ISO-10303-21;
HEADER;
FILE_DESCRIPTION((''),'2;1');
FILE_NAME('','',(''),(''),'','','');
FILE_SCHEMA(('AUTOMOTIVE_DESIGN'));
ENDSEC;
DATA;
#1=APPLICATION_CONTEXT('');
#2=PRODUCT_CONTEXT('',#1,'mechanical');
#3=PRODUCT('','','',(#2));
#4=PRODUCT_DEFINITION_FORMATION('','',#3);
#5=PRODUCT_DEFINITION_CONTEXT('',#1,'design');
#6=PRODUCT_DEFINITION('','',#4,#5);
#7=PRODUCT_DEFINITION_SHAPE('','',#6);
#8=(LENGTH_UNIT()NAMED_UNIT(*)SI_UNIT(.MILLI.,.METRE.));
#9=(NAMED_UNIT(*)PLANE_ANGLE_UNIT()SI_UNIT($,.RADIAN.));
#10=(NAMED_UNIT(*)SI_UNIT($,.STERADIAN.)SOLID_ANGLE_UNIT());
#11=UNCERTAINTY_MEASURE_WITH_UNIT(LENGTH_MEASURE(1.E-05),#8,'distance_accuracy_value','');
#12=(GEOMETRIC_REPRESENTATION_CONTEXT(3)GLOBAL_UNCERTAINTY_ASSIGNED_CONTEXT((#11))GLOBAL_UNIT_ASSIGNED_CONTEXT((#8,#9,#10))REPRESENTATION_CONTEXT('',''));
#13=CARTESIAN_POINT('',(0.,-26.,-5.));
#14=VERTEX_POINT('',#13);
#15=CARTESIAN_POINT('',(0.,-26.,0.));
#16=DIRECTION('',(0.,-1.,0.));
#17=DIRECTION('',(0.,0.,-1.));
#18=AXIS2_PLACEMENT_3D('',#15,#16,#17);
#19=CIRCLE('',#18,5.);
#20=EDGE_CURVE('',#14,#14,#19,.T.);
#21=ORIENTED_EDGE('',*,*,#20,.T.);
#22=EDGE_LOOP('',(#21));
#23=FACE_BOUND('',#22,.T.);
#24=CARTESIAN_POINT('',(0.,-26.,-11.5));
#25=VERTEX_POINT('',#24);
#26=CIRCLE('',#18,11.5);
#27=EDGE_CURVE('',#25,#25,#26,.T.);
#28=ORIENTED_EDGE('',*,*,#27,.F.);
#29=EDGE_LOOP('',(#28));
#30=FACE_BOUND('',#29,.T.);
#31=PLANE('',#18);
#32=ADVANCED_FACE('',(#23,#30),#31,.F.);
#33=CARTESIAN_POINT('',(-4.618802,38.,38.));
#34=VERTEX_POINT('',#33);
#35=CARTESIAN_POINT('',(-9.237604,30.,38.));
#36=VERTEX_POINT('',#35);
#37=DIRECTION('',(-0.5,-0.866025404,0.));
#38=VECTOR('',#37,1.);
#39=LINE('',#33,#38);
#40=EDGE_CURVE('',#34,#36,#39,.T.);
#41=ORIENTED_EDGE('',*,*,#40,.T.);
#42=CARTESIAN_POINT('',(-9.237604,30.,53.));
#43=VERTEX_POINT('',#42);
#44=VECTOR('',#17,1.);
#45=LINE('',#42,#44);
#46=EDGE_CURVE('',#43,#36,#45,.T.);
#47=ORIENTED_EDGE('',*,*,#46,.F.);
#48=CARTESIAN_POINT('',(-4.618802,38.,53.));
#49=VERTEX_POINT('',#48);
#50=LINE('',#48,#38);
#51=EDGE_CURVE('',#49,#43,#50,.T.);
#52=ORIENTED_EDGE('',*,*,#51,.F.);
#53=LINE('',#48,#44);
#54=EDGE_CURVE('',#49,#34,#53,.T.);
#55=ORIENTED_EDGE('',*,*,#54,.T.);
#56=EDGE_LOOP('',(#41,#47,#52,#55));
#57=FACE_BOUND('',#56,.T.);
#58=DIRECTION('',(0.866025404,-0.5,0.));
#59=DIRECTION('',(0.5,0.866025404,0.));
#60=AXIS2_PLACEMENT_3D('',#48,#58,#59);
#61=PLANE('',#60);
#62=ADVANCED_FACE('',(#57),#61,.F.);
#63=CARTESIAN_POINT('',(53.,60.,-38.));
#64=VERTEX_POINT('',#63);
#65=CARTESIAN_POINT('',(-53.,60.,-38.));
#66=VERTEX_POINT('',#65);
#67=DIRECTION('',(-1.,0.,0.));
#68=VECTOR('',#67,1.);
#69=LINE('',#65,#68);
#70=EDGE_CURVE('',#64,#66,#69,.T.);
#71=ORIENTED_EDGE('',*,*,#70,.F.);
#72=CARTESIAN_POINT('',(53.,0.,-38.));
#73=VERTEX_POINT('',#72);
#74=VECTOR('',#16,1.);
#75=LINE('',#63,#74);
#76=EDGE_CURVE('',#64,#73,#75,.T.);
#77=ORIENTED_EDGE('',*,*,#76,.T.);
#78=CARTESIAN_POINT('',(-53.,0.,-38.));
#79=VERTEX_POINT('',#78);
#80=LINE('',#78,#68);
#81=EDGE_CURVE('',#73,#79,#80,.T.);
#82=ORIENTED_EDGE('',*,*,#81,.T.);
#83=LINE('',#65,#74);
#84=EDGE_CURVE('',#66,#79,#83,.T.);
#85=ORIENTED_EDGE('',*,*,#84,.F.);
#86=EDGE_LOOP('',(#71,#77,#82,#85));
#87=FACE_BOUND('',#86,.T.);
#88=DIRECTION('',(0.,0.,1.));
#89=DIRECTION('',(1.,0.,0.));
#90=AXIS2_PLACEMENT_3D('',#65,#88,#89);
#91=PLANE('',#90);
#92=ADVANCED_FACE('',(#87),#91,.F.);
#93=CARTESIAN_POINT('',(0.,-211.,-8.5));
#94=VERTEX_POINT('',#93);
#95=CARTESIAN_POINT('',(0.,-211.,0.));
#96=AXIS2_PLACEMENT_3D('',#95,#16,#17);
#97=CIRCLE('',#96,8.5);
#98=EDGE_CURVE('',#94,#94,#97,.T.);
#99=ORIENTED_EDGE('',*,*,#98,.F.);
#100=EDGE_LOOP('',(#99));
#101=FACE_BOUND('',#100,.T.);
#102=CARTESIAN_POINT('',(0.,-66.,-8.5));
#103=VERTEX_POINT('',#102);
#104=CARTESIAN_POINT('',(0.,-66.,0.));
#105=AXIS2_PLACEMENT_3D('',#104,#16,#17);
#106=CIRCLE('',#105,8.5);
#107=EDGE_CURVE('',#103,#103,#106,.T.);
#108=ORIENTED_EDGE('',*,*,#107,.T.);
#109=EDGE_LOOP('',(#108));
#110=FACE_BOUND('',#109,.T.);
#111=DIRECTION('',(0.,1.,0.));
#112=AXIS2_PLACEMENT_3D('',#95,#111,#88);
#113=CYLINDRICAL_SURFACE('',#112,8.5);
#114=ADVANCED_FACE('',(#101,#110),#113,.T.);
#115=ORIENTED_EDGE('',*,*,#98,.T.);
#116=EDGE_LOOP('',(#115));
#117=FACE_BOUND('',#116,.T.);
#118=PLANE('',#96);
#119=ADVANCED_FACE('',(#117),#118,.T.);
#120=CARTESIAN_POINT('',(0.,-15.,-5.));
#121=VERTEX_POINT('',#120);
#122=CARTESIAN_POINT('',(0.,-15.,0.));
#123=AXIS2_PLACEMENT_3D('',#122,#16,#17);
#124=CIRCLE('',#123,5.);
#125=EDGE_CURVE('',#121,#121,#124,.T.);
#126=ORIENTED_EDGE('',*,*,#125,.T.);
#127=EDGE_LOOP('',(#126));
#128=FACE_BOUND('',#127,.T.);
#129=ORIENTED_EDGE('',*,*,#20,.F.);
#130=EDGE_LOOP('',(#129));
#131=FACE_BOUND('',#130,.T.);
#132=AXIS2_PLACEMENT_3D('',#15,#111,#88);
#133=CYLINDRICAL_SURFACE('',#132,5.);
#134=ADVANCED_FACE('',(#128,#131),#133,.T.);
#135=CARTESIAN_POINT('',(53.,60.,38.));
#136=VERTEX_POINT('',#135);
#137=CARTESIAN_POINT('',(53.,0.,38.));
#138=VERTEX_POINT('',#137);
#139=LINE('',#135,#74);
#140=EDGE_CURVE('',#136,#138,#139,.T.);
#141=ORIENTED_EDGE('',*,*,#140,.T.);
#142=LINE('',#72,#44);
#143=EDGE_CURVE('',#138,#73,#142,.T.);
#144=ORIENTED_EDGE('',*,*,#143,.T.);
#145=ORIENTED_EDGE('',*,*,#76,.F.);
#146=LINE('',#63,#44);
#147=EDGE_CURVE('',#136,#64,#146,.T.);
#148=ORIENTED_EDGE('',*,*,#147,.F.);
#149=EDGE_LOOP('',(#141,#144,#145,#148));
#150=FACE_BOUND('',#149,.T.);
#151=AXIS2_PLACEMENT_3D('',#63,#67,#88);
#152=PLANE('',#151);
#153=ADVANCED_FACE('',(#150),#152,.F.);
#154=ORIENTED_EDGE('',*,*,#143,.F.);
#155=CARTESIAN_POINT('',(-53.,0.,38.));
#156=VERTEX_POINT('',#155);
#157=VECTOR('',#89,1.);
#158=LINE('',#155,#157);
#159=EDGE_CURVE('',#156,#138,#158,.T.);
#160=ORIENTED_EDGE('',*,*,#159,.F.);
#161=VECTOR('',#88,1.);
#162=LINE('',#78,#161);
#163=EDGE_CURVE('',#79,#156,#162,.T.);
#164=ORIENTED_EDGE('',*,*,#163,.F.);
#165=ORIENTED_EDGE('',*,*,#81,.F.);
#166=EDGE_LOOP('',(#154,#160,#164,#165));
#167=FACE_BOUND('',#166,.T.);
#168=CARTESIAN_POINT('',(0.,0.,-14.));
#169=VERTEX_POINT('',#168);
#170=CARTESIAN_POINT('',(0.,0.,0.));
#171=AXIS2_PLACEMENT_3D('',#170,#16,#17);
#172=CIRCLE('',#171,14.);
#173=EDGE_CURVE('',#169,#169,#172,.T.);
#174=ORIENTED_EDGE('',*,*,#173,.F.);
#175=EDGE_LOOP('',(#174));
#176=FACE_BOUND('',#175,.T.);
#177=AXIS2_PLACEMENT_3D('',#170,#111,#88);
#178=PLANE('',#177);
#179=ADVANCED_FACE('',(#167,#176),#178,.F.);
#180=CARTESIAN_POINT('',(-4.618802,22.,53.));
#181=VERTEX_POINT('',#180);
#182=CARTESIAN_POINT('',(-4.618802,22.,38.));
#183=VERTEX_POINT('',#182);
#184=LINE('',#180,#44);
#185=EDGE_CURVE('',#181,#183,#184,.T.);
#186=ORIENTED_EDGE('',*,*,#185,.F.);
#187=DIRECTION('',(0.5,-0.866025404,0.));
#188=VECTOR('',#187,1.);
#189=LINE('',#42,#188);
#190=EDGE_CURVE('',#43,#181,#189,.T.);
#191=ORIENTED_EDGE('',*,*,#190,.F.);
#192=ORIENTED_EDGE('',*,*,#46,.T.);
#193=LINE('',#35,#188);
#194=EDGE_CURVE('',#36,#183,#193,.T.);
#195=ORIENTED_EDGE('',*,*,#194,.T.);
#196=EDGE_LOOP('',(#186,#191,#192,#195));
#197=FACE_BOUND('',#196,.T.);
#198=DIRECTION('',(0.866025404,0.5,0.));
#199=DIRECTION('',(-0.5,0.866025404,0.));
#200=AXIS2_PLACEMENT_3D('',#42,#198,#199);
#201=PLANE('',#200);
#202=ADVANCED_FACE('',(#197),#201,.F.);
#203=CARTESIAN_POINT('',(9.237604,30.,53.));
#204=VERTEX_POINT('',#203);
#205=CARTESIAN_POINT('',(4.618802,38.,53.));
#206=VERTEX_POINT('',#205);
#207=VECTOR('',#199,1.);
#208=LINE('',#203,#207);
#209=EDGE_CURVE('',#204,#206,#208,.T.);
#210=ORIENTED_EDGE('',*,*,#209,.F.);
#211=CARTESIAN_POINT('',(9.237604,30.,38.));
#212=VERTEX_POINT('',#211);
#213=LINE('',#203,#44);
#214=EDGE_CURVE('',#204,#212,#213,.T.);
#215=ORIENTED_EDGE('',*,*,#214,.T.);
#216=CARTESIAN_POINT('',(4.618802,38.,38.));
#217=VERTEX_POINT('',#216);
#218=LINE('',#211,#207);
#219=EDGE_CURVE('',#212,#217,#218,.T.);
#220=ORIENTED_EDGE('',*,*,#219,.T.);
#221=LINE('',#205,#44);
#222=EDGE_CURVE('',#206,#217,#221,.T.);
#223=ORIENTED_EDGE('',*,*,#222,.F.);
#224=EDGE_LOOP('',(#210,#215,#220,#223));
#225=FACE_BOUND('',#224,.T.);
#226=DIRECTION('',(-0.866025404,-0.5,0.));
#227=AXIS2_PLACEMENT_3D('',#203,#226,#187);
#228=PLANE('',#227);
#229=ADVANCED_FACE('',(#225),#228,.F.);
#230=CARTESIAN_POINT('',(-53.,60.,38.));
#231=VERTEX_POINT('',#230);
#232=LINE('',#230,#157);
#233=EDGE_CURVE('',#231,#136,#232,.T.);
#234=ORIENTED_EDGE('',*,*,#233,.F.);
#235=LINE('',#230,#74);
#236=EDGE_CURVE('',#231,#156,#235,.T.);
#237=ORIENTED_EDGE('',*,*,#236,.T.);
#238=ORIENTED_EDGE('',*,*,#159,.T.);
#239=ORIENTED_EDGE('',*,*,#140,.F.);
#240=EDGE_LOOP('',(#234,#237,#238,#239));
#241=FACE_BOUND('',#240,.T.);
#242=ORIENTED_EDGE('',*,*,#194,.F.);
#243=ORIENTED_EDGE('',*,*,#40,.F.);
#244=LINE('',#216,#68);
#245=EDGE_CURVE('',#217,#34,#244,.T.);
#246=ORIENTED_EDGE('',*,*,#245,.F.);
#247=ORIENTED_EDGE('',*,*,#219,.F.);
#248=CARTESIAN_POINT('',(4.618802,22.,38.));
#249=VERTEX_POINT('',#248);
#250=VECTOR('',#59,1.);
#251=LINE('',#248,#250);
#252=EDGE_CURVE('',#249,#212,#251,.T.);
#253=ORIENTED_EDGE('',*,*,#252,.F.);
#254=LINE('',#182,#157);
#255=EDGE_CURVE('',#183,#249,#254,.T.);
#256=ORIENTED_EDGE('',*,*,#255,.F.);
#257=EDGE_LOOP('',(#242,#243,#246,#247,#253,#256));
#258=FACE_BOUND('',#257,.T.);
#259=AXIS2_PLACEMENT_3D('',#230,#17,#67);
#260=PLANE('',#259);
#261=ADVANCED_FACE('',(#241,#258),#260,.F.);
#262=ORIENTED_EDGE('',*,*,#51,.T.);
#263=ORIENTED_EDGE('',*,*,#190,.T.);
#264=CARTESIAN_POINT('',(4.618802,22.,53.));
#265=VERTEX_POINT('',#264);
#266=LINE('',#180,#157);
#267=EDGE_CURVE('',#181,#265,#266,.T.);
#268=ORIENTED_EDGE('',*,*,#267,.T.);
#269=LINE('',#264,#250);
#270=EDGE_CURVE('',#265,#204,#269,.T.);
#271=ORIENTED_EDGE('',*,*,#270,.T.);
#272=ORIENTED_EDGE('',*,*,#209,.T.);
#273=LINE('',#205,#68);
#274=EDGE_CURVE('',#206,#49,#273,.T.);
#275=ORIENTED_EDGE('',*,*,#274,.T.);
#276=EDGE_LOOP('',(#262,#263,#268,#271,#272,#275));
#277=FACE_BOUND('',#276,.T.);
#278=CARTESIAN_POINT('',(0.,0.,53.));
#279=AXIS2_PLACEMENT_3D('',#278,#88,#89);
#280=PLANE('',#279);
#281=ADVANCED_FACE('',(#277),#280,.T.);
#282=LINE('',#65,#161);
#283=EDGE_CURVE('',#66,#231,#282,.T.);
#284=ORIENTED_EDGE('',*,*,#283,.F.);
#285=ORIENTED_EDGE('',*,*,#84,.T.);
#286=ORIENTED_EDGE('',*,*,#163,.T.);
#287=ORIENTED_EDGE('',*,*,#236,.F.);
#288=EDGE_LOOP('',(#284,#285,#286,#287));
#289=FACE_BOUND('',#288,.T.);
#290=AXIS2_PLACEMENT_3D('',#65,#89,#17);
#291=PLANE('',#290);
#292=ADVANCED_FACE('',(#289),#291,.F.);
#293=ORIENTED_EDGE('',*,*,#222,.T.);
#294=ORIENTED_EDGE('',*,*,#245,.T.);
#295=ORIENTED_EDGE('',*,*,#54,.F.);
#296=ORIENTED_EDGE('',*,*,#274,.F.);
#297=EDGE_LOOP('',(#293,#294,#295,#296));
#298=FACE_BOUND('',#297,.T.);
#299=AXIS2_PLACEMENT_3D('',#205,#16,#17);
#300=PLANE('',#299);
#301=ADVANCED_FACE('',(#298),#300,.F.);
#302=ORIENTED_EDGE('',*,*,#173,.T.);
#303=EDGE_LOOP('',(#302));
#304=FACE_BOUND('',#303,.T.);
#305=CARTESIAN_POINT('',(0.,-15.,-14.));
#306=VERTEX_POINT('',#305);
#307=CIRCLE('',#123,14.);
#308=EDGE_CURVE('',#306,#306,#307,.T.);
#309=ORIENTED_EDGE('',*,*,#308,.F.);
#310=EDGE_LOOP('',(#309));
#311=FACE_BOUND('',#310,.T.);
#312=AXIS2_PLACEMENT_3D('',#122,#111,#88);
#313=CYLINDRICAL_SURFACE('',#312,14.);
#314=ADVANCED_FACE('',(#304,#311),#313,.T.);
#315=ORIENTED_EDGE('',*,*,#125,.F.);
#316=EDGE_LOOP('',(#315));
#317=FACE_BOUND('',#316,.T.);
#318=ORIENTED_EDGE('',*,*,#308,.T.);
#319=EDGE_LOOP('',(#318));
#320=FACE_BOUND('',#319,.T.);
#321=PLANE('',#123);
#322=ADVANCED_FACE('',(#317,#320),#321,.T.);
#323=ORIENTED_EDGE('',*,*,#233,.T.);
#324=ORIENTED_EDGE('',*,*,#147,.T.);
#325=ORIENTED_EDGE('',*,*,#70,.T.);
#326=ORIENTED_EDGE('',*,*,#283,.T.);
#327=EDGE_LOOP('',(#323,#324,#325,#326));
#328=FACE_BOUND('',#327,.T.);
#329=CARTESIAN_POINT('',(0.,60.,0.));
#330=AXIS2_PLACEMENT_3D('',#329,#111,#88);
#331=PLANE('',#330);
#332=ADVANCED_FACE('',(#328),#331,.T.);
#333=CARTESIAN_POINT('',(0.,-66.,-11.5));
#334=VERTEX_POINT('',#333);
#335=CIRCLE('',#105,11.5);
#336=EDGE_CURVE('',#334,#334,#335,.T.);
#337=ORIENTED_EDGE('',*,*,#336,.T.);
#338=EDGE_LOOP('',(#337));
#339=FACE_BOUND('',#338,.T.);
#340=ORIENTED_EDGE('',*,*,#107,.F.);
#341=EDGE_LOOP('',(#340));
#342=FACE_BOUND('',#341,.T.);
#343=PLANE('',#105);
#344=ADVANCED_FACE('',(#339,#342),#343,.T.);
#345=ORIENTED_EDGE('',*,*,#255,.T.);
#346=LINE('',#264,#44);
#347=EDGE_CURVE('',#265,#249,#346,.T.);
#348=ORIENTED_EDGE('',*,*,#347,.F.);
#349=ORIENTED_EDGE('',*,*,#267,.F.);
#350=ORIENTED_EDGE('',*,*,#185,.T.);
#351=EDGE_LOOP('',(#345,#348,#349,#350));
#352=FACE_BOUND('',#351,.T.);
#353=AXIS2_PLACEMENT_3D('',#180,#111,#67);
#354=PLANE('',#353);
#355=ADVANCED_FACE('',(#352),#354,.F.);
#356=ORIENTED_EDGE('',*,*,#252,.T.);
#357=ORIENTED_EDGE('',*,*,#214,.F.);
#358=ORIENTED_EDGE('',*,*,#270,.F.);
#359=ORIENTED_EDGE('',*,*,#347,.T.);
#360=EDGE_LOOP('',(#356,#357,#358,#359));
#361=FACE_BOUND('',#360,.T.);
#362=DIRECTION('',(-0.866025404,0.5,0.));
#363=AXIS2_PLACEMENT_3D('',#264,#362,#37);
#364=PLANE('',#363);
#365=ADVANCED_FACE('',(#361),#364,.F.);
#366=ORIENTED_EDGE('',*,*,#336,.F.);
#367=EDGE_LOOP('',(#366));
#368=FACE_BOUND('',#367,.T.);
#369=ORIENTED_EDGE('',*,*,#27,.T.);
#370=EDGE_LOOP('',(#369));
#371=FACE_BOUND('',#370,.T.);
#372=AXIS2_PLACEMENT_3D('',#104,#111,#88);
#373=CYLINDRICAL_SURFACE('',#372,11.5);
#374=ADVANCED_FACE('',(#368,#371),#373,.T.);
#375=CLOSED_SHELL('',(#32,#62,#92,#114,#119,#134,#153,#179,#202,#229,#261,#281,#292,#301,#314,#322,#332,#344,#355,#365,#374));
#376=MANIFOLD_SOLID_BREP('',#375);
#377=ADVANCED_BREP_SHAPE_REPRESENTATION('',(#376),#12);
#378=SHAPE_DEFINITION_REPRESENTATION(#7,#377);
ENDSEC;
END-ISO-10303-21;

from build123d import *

# Parameters (mm, degrees)
SKETCH1_W           = 106
SKETCH1_H           = 76
BOSS_EXTRUDE1_DEPTH = 60
BOSS_EXTRUDE2_DEPTH = 15
SKETCH3_R           = 14
BOSS_EXTRUDE3_DEPTH = 15
SKETCH4_R           = 5
BOSS_EXTRUDE4_DEPTH = 11
SKETCH5_R           = 11.5
BOSS_EXTRUDE5_DEPTH = 40
SKETCH6_R           = 8.5
BOSS_EXTRUDE6_DEPTH = 145


with BuildPart() as part:
    # Sketch1 → Boss-Extrude1 (new body)
    with BuildSketch(Plane(origin=(0, 0, 0), x_dir=(1, 0, 0), z_dir=(0, 1, 0))):
        Rectangle(SKETCH1_W, SKETCH1_H)
    extrude(amount=BOSS_EXTRUDE1_DEPTH)

    # Sketch2 → Boss-Extrude2 (add)
    with BuildSketch(Plane.XY.offset(38)):
        Polygon((9.237604307, 30), (4.618802154, 38), (-4.618802154, 38), (-9.237604307, 30), (-4.618802154, 22), (4.618802154, 22), align=None)
    extrude(amount=BOSS_EXTRUDE2_DEPTH)

    # Sketch3 → Boss-Extrude3 (add)
    with BuildSketch(Plane.XZ):
        Circle(SKETCH3_R)
    extrude(amount=BOSS_EXTRUDE3_DEPTH)

    # Sketch4 → Boss-Extrude4 (add)
    with BuildSketch(Plane.XZ.offset(15)):
        Circle(SKETCH4_R)
    extrude(amount=BOSS_EXTRUDE4_DEPTH)

    # Sketch5 → Boss-Extrude5 (add)
    with BuildSketch(Plane.XZ.offset(26)):
        Circle(SKETCH5_R)
    extrude(amount=BOSS_EXTRUDE5_DEPTH)

    # Sketch6 → Boss-Extrude6 (add)
    with BuildSketch(Plane.XZ.offset(66)):
        Circle(SKETCH6_R)
    extrude(amount=BOSS_EXTRUDE6_DEPTH)


solid = part.part
